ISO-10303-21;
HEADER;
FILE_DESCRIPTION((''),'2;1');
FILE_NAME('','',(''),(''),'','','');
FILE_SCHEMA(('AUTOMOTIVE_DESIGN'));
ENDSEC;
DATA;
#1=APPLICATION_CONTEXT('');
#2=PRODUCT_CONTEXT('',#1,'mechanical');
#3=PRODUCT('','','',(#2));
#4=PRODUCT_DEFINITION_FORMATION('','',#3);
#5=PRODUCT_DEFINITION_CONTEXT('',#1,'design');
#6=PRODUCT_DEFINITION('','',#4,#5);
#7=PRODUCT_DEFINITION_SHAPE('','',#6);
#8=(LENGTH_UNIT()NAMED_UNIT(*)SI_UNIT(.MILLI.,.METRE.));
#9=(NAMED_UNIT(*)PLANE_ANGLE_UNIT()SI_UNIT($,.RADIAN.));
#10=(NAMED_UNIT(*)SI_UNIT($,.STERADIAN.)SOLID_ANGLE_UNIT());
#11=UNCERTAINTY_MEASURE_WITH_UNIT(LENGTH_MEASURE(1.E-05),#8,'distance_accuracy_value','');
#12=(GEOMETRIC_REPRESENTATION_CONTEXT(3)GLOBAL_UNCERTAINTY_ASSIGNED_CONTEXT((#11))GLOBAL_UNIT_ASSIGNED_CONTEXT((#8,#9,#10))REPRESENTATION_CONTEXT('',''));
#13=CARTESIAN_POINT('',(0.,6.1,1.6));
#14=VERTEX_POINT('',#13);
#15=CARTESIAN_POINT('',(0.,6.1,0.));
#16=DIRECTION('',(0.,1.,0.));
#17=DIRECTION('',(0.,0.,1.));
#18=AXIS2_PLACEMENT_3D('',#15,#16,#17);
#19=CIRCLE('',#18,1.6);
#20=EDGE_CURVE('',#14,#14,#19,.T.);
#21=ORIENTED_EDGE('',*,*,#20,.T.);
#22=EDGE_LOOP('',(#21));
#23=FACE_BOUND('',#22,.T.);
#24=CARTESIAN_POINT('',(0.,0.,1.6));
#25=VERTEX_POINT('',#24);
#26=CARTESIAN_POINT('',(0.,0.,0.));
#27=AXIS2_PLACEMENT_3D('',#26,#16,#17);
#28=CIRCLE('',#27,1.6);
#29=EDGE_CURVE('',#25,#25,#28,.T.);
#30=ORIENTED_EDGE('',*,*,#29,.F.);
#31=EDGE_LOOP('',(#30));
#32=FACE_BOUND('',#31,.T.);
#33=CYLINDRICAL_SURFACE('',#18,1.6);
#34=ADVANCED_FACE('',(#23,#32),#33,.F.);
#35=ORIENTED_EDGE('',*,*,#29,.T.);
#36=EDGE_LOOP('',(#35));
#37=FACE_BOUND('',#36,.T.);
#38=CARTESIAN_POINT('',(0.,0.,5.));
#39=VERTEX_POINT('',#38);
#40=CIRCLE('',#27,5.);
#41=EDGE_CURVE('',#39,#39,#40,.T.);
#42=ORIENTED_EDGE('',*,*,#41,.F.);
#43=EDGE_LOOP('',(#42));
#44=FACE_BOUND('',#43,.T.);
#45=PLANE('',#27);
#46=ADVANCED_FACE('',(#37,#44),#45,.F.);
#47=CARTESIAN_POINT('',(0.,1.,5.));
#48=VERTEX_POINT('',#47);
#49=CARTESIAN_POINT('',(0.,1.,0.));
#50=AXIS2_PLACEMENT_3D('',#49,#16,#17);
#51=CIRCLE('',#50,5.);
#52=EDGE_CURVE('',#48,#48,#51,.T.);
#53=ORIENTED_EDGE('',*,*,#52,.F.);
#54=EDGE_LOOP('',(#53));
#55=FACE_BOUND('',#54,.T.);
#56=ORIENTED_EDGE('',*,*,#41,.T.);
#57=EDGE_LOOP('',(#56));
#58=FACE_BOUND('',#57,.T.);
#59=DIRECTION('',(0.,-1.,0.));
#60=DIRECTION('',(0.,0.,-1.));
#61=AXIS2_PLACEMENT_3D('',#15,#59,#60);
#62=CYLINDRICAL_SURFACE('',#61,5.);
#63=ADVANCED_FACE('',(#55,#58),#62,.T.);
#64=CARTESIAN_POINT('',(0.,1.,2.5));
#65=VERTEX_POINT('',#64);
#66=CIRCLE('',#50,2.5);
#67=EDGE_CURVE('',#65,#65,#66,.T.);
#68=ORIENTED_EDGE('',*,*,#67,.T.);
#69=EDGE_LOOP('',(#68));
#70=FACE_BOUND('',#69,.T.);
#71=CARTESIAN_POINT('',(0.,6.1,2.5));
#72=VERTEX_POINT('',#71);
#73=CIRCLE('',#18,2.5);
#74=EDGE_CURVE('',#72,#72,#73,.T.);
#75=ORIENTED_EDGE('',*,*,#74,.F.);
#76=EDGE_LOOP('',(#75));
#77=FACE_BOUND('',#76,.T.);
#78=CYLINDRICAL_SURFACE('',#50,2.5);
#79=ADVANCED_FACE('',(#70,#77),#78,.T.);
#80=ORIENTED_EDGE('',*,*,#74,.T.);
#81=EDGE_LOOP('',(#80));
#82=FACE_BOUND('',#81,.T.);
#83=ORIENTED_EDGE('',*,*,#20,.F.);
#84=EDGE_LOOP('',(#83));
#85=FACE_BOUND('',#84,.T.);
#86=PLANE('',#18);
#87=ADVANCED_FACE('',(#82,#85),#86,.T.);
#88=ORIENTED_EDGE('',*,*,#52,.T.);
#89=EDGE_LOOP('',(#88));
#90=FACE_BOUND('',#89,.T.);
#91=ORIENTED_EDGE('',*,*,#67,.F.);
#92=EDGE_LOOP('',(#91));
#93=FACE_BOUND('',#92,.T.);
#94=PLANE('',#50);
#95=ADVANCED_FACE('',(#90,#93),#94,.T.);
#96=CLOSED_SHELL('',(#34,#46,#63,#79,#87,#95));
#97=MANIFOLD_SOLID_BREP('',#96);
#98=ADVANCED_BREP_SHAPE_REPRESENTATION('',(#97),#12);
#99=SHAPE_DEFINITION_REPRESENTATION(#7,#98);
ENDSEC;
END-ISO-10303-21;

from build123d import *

# Parameters (mm, degrees)
SKETCH1_R            = 5
BOSS_EXTRUDE1_DEPTH  = 6.1
M3_CLEARANCE_HOLE1_D = 3.2
SKETCH4_R            = 5.808101239
SKETCH4_R_2          = 2.5
CUT_EXTRUDE1_DEPTH   = 5.1


with BuildPart() as part:
    # Sketch1 → Boss-Extrude1 (new body)
    with BuildSketch(Plane(origin=(0, 0, 0), x_dir=(1, 0, 0), z_dir=(0, 1, 0))):
        with Locations(Location((0, 0, 0), (0, 0, 270))):
            Circle(SKETCH1_R)
    extrude(amount=BOSS_EXTRUDE1_DEPTH)

    # M3 Clearance Hole1 (through all)
    with Locations(Plane(origin=(0, 6.1, 0), x_dir=(-1, 0, 0), z_dir=(0, 1, 0))):
        with Locations((0, 0)):
            Hole(M3_CLEARANCE_HOLE1_D / 2)

    # Sketch4 → Cut-Extrude1 (cut)
    with BuildSketch(Plane(origin=(0, 6.1, 0), x_dir=(1, 0, 0), z_dir=(0, 1, 0))):
        Circle(SKETCH4_R)
        with Locations(Location((0, 0, 0), (0, 0, 270))):
            Circle(SKETCH4_R_2, mode=Mode.SUBTRACT)
    extrude(amount=-CUT_EXTRUDE1_DEPTH, mode=Mode.SUBTRACT)


solid = part.part
